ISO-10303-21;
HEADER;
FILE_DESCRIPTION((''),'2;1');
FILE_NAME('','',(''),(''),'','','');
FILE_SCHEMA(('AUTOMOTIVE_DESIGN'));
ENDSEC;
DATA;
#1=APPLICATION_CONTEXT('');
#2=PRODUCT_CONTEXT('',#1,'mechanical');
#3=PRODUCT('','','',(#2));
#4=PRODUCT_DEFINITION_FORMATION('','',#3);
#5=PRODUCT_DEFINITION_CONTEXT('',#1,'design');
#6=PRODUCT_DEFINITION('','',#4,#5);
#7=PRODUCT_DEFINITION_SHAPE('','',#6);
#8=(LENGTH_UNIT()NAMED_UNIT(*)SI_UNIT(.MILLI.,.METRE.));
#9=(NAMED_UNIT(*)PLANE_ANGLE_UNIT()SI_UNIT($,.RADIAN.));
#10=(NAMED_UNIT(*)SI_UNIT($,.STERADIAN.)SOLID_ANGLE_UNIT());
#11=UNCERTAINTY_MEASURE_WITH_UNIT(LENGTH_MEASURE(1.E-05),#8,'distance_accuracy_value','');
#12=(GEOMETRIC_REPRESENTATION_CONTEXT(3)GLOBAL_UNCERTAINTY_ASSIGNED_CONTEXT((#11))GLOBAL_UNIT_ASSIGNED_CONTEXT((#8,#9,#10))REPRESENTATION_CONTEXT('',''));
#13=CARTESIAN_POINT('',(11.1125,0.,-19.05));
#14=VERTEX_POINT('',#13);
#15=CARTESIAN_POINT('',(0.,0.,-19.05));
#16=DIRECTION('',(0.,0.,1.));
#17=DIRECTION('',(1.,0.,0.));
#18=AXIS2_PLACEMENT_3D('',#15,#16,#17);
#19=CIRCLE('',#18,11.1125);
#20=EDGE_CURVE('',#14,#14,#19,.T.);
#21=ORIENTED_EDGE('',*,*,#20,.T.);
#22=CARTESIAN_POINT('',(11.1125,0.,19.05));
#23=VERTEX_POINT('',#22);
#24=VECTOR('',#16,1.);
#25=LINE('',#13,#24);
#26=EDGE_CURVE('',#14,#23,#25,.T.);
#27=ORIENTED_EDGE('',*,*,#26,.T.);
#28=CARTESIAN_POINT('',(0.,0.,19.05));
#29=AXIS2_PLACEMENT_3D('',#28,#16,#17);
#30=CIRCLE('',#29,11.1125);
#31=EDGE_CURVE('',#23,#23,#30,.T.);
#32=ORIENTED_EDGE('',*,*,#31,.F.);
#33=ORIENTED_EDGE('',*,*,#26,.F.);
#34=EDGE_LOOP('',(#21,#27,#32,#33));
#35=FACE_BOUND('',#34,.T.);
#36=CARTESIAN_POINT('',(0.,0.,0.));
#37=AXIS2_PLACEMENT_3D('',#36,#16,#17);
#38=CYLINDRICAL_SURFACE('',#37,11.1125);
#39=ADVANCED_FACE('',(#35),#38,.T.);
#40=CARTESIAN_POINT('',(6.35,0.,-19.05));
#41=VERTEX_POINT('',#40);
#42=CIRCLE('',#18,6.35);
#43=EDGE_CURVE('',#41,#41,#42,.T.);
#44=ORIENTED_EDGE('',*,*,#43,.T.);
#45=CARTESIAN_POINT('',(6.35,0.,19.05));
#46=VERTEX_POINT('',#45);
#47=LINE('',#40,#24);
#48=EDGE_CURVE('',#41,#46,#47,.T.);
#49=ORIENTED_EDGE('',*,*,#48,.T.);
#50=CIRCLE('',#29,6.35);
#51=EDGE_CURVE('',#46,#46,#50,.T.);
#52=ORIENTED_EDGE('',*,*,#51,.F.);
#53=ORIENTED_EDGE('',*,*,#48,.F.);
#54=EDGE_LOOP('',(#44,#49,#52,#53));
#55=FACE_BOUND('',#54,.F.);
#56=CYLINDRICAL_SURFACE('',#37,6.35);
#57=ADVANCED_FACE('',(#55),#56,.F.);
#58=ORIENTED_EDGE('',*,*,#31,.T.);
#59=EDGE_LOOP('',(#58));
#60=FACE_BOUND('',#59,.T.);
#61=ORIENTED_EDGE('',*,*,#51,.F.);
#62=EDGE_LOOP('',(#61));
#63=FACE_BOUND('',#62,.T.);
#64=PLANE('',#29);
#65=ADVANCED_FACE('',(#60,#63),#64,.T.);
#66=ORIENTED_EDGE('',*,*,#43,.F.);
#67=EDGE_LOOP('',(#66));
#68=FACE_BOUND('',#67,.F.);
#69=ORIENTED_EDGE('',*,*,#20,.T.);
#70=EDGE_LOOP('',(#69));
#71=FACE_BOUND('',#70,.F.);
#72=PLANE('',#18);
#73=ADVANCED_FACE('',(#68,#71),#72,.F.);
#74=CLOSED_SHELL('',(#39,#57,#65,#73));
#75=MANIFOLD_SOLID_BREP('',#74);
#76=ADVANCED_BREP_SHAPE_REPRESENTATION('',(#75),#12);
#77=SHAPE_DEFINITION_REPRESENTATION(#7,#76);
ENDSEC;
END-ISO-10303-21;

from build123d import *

# Parameters (mm, degrees)
F0_R     = 11.1125
F1_DEPTH = 19.05
F2_R     = 6.35
F3_DEPTH = 19.05


with BuildPart() as f1:
    # F0 (on Top) → F1 (new body, symmetric)
    with BuildSketch(Plane.XY):
        Circle(F0_R)
    extrude(amount=F1_DEPTH, both=True)

    # F2 (on Top) → F3 (cut, symmetric)
    with BuildSketch(Plane.XY):
        Circle(F2_R)
    extrude(amount=F3_DEPTH, both=True, mode=Mode.SUBTRACT)


solid = f1.part
